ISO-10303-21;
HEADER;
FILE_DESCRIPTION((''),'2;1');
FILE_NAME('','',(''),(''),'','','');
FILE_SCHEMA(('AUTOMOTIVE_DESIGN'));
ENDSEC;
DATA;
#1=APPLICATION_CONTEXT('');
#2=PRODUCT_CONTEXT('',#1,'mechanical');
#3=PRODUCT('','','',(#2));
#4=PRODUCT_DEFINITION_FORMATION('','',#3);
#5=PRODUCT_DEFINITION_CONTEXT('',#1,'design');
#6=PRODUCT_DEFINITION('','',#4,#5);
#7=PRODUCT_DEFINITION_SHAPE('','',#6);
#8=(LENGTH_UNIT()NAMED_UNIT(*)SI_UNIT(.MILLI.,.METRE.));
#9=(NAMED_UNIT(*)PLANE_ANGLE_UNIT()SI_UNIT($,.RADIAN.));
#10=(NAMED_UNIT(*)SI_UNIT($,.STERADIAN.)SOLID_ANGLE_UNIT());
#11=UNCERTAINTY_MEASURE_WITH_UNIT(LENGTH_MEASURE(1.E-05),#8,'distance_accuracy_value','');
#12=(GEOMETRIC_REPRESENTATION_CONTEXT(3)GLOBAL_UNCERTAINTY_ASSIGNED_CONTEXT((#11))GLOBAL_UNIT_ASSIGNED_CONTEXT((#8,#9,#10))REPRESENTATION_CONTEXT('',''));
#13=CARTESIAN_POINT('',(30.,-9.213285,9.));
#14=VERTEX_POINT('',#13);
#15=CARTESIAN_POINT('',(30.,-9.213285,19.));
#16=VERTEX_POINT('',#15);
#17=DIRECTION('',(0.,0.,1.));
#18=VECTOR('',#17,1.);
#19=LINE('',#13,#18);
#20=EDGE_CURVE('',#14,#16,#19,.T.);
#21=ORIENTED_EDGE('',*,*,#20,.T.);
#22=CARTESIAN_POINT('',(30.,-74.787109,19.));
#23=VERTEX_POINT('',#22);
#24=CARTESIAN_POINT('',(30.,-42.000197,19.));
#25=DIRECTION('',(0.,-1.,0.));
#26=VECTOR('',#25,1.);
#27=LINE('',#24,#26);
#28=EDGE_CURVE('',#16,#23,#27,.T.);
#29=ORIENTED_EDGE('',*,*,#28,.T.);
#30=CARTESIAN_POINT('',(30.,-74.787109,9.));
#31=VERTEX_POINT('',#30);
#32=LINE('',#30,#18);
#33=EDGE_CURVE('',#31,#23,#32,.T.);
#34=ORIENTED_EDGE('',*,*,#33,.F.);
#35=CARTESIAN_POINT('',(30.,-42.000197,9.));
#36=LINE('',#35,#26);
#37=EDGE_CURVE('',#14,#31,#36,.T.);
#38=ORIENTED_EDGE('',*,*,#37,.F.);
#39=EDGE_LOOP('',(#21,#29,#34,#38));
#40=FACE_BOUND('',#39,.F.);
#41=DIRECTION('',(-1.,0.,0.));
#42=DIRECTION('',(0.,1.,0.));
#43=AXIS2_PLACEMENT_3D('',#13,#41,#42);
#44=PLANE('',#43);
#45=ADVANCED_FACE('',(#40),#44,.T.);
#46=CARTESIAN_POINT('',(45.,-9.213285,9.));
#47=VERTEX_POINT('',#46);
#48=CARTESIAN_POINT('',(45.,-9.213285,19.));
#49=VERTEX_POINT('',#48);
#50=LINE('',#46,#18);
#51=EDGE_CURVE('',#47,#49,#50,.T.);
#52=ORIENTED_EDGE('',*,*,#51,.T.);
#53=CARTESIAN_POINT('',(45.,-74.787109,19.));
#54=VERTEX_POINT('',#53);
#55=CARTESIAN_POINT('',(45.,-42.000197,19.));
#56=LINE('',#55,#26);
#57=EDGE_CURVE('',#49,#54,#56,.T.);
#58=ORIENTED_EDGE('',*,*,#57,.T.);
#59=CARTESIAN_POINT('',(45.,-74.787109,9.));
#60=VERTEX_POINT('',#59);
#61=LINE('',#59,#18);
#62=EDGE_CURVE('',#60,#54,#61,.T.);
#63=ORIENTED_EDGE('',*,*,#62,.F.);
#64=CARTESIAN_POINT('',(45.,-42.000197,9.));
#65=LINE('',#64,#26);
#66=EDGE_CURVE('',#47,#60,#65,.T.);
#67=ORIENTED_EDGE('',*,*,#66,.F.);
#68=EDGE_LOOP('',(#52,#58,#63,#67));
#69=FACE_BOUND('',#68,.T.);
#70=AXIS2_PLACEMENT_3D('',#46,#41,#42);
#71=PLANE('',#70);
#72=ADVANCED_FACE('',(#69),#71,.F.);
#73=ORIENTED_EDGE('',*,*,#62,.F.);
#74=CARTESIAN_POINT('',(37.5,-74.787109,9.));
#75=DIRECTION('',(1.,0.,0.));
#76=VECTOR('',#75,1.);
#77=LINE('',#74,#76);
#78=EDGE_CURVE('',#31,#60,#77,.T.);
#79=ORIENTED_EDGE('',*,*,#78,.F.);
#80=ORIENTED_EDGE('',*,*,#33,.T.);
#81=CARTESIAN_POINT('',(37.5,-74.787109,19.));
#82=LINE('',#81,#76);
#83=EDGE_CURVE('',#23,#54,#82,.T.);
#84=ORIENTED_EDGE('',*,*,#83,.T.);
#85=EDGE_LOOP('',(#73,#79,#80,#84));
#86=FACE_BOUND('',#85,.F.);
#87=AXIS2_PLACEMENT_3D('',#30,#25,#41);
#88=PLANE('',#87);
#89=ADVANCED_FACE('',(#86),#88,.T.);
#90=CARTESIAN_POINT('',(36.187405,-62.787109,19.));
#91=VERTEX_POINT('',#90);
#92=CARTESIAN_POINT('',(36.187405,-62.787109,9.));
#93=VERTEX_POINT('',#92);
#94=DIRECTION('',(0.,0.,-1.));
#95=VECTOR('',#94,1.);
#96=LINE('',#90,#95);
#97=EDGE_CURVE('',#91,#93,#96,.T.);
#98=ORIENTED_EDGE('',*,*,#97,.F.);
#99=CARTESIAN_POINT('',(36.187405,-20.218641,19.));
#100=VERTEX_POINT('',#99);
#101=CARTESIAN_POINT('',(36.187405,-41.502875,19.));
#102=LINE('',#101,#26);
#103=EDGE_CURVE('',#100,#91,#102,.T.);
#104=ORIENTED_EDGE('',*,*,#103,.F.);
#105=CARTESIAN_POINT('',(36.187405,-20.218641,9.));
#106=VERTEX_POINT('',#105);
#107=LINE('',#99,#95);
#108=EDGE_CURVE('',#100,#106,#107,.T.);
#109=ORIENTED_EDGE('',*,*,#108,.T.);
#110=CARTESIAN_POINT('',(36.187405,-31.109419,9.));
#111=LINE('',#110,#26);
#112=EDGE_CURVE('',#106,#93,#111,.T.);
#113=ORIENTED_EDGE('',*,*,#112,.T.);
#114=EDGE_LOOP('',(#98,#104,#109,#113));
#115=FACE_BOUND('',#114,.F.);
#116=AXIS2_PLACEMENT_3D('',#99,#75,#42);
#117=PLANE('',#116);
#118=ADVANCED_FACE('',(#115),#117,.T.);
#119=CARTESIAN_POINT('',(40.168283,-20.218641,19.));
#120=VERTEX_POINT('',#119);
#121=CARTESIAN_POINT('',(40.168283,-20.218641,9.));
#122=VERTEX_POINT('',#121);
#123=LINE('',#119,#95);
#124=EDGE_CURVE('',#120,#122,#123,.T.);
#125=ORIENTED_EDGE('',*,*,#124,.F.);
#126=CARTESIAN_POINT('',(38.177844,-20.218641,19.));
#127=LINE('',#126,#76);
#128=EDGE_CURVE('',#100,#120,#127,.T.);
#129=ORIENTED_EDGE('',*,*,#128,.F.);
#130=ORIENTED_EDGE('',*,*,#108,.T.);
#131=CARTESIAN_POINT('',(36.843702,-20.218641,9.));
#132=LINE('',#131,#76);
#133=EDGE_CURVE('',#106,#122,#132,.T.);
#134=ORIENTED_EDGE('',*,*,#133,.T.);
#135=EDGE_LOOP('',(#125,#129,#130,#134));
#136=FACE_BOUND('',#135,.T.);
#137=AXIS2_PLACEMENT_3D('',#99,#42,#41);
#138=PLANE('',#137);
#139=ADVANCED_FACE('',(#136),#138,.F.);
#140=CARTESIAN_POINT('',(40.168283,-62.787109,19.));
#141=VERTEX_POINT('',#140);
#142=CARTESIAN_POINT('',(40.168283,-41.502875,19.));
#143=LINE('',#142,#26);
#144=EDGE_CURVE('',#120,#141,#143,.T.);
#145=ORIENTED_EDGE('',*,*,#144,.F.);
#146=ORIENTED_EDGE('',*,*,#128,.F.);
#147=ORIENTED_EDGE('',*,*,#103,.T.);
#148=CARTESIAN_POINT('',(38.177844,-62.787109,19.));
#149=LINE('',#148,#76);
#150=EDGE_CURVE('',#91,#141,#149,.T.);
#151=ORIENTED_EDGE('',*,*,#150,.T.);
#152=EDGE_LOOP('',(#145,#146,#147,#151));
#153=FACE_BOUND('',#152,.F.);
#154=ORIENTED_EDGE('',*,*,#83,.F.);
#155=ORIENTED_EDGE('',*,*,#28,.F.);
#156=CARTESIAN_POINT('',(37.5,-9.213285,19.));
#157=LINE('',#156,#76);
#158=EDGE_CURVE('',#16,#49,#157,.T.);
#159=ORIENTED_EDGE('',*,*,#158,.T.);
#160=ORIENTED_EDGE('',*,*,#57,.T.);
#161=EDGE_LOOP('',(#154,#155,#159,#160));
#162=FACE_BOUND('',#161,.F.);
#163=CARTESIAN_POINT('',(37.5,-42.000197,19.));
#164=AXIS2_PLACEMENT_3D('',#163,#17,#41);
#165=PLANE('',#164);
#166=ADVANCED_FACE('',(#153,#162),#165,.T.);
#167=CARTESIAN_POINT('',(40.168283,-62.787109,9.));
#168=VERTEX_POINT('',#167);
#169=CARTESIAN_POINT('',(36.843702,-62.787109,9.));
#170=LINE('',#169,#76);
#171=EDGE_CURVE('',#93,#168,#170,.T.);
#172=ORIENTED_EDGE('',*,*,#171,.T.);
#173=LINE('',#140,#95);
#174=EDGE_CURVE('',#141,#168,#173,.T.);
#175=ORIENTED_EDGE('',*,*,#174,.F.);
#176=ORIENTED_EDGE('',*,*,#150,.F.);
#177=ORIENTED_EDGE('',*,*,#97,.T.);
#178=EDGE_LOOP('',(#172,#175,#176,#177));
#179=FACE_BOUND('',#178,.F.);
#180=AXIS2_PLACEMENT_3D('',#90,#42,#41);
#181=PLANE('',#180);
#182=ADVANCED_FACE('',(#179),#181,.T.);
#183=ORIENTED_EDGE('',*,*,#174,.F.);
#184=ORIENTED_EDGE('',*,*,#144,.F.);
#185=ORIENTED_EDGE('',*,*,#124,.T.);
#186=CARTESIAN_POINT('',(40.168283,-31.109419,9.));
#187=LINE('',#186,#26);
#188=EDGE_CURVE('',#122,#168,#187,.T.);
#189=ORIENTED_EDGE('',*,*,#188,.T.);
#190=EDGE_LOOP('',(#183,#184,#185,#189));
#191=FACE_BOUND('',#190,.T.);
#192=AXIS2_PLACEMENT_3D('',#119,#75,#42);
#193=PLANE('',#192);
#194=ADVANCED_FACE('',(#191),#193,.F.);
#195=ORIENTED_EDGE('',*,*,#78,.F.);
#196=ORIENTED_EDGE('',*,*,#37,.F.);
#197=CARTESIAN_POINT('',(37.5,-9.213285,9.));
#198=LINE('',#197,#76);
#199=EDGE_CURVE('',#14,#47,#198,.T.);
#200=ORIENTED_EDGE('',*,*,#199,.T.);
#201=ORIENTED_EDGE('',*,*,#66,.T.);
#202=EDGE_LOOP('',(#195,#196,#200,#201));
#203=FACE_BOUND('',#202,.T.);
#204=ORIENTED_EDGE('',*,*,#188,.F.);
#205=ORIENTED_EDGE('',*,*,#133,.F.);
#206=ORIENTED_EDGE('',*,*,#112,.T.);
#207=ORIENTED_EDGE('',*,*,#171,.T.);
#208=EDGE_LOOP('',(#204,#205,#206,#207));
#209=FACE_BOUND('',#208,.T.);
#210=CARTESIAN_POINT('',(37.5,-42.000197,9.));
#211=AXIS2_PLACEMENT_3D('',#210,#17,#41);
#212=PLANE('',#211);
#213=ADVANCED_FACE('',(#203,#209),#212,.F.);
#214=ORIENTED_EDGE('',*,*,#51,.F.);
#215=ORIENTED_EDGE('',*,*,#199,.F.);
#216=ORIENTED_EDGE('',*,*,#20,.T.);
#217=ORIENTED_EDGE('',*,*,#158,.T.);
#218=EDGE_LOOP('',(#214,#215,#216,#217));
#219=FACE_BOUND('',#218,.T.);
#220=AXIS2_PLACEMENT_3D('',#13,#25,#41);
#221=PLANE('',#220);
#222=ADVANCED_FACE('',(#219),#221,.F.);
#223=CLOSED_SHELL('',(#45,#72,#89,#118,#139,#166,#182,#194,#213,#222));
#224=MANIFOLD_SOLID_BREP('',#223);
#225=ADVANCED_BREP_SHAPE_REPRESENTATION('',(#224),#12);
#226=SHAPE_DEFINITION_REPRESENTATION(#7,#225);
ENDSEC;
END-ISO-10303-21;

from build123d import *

# Parameters (mm, degrees)
SKETCH024_W     = 15
SKETCH024_H     = 65.573825
PAD013_DEPTH    = 10
SKETCH025_W     = 3.980878
SKETCH025_H     = 42.568468
POCKET007_DEPTH = 10.001


with BuildPart() as pocket007:
    # Sketch024 → Pad013 (new body)
    with BuildSketch(Plane(origin=(65, 0, 9), x_dir=(1, 0, 0), z_dir=(0, 0, 1))):
        with Locations((-27.5, 42.000197)):
            Rectangle(SKETCH024_W, SKETCH024_H)
    extrude(amount=PAD013_DEPTH)

    # Sketch025 → Pocket007 (cut, through all)
    with BuildSketch(Plane(origin=(65, 0, 19), x_dir=(1, 0, 0), z_dir=(0, 0, 1))):
        with Locations((-26.822156, 41.502875)):
            Rectangle(SKETCH025_W, SKETCH025_H)
    extrude(amount=-POCKET007_DEPTH, mode=Mode.SUBTRACT)


with BuildPart() as part_mirroring001:
    # Part__Mirroring001: instance of Pocket007
    add(pocket007.part.mirror(Plane(origin=(0, 0, 0), x_dir=(1, 0, 0), z_dir=(0, 1, 0))))


solid = part_mirroring001.part
